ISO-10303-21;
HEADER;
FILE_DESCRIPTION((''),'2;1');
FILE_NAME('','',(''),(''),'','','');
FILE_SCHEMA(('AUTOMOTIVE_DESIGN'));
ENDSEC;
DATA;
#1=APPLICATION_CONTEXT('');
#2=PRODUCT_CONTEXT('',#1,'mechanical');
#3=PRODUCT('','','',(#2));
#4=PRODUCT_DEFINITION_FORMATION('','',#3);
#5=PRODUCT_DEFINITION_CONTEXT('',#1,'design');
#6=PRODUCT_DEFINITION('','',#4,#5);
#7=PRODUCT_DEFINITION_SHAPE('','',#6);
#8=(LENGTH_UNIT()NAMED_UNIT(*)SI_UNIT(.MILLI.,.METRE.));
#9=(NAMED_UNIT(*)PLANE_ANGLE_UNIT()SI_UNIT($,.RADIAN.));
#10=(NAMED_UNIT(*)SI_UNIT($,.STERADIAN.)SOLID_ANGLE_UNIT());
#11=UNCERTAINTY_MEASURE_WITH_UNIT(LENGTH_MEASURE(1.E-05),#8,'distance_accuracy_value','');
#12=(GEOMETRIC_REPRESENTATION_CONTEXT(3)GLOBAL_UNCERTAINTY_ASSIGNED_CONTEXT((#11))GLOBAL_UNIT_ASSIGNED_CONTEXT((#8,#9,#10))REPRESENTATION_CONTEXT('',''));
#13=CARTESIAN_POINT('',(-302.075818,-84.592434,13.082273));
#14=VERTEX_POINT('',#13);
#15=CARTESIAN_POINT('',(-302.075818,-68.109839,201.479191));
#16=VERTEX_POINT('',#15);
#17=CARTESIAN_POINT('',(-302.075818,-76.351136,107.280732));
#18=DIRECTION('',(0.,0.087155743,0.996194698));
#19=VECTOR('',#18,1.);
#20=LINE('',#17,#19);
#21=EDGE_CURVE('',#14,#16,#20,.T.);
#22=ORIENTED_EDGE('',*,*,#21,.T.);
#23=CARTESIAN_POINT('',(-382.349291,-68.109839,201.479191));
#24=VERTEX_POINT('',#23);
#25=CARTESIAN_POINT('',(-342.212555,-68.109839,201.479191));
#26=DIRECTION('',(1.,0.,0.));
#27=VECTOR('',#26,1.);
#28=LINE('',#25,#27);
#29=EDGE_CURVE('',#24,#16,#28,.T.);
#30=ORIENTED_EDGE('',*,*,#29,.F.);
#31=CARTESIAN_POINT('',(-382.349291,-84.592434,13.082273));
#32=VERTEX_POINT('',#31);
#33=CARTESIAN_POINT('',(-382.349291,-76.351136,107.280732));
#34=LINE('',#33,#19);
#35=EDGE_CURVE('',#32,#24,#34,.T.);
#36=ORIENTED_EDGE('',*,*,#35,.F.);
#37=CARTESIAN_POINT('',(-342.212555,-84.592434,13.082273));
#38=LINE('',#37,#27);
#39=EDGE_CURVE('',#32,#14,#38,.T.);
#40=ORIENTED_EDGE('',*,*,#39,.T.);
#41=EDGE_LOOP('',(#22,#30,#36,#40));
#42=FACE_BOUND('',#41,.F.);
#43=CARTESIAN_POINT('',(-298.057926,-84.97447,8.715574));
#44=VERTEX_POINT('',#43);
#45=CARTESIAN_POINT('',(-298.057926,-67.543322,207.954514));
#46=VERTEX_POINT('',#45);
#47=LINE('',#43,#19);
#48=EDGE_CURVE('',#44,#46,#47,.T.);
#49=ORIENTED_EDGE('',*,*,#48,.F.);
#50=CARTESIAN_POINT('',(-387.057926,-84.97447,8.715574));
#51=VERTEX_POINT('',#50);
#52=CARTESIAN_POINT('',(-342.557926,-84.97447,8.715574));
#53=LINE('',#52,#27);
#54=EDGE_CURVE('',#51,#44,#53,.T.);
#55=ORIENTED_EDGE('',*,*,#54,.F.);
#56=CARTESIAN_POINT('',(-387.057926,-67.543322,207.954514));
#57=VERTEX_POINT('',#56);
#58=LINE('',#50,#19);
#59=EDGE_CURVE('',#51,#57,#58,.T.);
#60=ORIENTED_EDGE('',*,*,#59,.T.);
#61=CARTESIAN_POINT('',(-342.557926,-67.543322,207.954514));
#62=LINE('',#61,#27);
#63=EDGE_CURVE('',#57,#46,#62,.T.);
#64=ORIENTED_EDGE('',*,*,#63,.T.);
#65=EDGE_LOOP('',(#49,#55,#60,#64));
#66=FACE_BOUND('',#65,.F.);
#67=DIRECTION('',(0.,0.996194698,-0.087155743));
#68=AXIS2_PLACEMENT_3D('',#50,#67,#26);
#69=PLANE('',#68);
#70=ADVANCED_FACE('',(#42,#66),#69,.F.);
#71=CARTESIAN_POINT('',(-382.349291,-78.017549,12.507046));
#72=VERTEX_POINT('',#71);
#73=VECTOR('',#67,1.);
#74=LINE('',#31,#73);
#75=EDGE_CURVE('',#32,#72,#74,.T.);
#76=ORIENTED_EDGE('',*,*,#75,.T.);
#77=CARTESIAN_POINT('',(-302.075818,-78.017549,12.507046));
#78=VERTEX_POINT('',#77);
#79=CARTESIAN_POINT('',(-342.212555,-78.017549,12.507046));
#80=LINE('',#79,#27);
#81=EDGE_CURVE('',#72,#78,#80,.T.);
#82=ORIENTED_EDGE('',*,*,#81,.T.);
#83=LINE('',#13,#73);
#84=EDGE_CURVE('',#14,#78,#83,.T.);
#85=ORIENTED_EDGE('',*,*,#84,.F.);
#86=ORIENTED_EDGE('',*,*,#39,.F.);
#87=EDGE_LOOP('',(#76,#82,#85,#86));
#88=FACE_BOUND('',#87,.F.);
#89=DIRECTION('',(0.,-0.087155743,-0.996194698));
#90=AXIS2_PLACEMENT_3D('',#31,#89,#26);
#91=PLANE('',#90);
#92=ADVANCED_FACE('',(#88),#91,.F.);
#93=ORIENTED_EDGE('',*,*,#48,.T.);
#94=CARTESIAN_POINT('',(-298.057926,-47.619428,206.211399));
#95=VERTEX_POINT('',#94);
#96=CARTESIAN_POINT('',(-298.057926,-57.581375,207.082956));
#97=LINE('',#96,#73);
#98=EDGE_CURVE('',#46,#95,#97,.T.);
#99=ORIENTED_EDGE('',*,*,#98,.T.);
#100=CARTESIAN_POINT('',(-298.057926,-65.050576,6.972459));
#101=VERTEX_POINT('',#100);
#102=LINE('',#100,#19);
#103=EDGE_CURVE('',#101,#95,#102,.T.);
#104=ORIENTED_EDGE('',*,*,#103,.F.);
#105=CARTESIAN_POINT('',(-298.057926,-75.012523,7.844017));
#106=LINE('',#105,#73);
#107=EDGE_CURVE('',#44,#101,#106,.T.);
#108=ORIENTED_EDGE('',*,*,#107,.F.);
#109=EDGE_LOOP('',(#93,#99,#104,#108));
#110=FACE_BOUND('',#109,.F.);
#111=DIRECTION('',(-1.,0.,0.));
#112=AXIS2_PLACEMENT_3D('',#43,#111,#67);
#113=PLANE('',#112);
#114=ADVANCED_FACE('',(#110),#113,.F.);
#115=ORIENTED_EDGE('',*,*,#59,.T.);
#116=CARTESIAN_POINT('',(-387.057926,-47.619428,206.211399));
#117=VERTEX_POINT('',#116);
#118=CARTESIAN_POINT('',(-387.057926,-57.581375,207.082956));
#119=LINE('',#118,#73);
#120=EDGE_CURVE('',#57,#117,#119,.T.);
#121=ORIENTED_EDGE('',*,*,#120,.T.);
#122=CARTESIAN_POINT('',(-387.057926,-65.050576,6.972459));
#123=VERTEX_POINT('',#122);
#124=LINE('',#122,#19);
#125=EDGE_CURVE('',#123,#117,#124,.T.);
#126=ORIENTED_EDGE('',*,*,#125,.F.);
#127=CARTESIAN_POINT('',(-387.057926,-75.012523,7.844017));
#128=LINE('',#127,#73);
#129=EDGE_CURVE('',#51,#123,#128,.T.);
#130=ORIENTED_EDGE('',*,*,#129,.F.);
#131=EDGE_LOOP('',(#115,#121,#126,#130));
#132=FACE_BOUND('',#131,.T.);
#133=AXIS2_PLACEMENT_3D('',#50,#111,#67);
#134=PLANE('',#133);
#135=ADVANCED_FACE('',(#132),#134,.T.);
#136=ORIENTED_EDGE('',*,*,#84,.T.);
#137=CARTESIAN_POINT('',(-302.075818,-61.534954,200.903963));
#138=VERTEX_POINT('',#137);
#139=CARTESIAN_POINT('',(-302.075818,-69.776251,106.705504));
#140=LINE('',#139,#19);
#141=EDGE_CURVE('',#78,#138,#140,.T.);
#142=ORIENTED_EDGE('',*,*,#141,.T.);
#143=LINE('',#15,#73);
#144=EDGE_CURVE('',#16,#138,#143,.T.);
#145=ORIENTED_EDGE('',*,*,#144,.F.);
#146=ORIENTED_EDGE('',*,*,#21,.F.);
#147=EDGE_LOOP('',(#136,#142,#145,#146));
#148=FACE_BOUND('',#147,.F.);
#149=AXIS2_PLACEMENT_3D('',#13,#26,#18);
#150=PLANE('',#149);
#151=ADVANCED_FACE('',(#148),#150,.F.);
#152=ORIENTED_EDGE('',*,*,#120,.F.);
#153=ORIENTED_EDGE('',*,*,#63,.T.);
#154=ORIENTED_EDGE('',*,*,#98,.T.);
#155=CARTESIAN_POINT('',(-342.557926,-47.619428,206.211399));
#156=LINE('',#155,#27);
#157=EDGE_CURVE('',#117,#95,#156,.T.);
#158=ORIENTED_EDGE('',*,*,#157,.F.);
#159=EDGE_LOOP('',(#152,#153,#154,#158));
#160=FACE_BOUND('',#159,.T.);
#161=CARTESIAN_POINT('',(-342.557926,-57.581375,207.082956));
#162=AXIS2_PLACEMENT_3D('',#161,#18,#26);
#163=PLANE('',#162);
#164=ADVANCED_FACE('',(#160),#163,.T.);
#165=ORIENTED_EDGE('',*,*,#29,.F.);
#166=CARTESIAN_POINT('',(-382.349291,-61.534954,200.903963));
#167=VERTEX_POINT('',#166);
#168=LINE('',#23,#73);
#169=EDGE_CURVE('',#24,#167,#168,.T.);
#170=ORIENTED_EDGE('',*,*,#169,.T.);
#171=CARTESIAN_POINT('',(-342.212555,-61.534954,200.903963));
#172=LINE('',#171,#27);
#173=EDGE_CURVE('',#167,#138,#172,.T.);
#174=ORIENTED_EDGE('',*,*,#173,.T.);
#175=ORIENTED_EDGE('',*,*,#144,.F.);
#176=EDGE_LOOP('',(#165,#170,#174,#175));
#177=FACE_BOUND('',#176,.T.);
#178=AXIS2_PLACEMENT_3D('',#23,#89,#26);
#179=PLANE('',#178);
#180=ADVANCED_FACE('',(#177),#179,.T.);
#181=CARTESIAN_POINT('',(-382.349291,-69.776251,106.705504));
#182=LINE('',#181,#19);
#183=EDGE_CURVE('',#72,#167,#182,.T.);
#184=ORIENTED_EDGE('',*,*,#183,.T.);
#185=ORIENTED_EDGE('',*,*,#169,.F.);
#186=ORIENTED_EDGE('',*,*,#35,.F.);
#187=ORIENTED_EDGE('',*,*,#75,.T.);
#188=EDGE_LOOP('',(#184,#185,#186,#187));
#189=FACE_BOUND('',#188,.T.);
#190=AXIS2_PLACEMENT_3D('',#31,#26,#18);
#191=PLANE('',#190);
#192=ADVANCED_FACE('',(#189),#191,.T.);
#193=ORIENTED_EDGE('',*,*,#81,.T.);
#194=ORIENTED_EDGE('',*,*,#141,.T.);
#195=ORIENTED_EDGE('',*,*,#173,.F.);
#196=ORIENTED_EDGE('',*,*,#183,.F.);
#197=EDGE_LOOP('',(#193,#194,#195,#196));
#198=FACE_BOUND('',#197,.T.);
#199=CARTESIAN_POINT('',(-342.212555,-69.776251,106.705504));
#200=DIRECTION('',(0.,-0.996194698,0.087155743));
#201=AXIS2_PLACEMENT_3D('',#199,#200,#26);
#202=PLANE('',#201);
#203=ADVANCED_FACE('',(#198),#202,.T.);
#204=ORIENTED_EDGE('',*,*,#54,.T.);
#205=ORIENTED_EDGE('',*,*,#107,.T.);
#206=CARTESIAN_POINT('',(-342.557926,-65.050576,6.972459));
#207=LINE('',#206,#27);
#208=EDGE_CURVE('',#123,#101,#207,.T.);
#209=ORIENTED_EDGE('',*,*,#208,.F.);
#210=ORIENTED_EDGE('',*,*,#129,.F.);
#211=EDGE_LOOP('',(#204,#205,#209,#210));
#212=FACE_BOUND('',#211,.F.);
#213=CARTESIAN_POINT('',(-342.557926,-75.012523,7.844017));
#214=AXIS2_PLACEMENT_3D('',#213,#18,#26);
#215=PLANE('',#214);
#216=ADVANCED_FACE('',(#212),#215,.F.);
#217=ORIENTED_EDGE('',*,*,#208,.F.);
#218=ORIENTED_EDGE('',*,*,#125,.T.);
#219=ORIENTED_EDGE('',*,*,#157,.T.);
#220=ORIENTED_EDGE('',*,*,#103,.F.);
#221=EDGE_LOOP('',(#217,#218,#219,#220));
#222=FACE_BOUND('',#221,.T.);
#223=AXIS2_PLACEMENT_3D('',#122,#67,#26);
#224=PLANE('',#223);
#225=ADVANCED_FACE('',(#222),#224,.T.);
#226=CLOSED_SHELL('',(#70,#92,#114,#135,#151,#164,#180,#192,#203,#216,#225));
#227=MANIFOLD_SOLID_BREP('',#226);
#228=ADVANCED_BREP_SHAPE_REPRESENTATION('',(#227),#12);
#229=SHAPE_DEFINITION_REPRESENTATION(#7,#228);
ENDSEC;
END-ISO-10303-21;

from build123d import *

# Parameters (mm, degrees)
F0_W      = 445
F0_H      = 100
F1_DEPTH  = 1000
F2_ANGLE  = -5
F3_ANGLE  = -120
F5_ANGLE  = -120
F8_ANGLE  = -120
F10_ANGLE = -120
F12_ANGLE = -120
F14_W     = 401.3673663139
F14_H     = 945.5828145146
F15_DEPTH = 33
F17_SCALE = 0.2


with BuildPart() as f1:
    # F0 (on Top) → F1 (new body)
    with BuildSketch(Plane.XY):
        with Locations((-164.5579262078, -35.3550005704)):
            Rectangle(F0_W, F0_H)
    extrude(amount=F1_DEPTH)


with BuildPart() as f1_1:
    # F2: moved
    add(f1.part.rotate(Axis((-164.5579262078, 14.6449994296, 0), (1, 0, 0)), F2_ANGLE))


with BuildPart() as f3_1:
    # F3: copy of F1
    add(f1_1.part.rotate(Axis((57.9420737922, -41.3965990058, 506.8129233206), (0, -0.0871557427, -0.9961946981)), F3_ANGLE))


with BuildPart() as f3_1_1:
    # F4: moved
    add(f3_1.part.moved(Location((87, 55, 0))))


with BuildPart() as f5_1:
    # F5: copy of F3_1
    add(f3_1_1.part.rotate(Axis((280.8395334138, -420.1211463803, 544.7589043088), (0, -0.0871557427, -0.9961946981)), F5_ANGLE))


with BuildPart() as f5_1_1:
    # F6: moved
    add(f5_1.part.moved(Location((91, -75, 0))))


with BuildPart() as f3_1_2:
    # F7: moved
    add(f3_1_1.part.moved(Location((13, -17, 0))))


with BuildPart() as f8_1:
    # F8: copy of F5_1
    add(f5_1_1.part.rotate(Axis((62.7369930353, -829.2262239457, 573.9893110223), (0, -0.0871557427, -0.9961946981)), F8_ANGLE))


with BuildPart() as f8_1_1:
    # F9: moved
    add(f8_1.part.moved(Location((-17, -111, 0))))


with BuildPart() as f10_1:
    # F10: copy of F8_1
    add(f8_1_1.part.rotate(Axis((-399.2630069647, -840.6067541365, 565.2737367476), (0, -0.0871557427, -0.9961946981)), F10_ANGLE))


with BuildPart() as f10_1_1:
    # F11: moved
    add(f10_1.part.moved(Location((-104, -42, 0))))


with BuildPart() as f12_1:
    # F12: copy of F10_1
    add(f10_1_1.part.rotate(Axis((-639.1604665862, -448.8822067619, 527.3277557595), (0, -0.0871557427, -0.9961946981)), F12_ANGLE))


with BuildPart() as f12_1_1:
    # F13: moved
    add(f12_1.part.moved(Location((-65, 57, 0))))


with BuildPart() as f1_2:
    add(f1_1.part)

    # F14 (on face) → F15 (cut)
    with BuildSketch(Plane(origin=(0, -85.0857156038, 7.4440355433), x_dir=(1, 0, 0), z_dir=(0, -0.9961946981, 0.0871557427))):
        with Locations((-162.8310680389, 495.9846995771)):
            Rectangle(F14_W, F14_H)
    extrude(amount=-F15_DEPTH, mode=Mode.SUBTRACT)


with BuildPart() as f1_3:
    # F17: moved
    add(f1_2.part.scale(F17_SCALE).moved(Location((-309.6463409662, -67.9795763037, 6.9724594198))))


solid = f1_3.part
